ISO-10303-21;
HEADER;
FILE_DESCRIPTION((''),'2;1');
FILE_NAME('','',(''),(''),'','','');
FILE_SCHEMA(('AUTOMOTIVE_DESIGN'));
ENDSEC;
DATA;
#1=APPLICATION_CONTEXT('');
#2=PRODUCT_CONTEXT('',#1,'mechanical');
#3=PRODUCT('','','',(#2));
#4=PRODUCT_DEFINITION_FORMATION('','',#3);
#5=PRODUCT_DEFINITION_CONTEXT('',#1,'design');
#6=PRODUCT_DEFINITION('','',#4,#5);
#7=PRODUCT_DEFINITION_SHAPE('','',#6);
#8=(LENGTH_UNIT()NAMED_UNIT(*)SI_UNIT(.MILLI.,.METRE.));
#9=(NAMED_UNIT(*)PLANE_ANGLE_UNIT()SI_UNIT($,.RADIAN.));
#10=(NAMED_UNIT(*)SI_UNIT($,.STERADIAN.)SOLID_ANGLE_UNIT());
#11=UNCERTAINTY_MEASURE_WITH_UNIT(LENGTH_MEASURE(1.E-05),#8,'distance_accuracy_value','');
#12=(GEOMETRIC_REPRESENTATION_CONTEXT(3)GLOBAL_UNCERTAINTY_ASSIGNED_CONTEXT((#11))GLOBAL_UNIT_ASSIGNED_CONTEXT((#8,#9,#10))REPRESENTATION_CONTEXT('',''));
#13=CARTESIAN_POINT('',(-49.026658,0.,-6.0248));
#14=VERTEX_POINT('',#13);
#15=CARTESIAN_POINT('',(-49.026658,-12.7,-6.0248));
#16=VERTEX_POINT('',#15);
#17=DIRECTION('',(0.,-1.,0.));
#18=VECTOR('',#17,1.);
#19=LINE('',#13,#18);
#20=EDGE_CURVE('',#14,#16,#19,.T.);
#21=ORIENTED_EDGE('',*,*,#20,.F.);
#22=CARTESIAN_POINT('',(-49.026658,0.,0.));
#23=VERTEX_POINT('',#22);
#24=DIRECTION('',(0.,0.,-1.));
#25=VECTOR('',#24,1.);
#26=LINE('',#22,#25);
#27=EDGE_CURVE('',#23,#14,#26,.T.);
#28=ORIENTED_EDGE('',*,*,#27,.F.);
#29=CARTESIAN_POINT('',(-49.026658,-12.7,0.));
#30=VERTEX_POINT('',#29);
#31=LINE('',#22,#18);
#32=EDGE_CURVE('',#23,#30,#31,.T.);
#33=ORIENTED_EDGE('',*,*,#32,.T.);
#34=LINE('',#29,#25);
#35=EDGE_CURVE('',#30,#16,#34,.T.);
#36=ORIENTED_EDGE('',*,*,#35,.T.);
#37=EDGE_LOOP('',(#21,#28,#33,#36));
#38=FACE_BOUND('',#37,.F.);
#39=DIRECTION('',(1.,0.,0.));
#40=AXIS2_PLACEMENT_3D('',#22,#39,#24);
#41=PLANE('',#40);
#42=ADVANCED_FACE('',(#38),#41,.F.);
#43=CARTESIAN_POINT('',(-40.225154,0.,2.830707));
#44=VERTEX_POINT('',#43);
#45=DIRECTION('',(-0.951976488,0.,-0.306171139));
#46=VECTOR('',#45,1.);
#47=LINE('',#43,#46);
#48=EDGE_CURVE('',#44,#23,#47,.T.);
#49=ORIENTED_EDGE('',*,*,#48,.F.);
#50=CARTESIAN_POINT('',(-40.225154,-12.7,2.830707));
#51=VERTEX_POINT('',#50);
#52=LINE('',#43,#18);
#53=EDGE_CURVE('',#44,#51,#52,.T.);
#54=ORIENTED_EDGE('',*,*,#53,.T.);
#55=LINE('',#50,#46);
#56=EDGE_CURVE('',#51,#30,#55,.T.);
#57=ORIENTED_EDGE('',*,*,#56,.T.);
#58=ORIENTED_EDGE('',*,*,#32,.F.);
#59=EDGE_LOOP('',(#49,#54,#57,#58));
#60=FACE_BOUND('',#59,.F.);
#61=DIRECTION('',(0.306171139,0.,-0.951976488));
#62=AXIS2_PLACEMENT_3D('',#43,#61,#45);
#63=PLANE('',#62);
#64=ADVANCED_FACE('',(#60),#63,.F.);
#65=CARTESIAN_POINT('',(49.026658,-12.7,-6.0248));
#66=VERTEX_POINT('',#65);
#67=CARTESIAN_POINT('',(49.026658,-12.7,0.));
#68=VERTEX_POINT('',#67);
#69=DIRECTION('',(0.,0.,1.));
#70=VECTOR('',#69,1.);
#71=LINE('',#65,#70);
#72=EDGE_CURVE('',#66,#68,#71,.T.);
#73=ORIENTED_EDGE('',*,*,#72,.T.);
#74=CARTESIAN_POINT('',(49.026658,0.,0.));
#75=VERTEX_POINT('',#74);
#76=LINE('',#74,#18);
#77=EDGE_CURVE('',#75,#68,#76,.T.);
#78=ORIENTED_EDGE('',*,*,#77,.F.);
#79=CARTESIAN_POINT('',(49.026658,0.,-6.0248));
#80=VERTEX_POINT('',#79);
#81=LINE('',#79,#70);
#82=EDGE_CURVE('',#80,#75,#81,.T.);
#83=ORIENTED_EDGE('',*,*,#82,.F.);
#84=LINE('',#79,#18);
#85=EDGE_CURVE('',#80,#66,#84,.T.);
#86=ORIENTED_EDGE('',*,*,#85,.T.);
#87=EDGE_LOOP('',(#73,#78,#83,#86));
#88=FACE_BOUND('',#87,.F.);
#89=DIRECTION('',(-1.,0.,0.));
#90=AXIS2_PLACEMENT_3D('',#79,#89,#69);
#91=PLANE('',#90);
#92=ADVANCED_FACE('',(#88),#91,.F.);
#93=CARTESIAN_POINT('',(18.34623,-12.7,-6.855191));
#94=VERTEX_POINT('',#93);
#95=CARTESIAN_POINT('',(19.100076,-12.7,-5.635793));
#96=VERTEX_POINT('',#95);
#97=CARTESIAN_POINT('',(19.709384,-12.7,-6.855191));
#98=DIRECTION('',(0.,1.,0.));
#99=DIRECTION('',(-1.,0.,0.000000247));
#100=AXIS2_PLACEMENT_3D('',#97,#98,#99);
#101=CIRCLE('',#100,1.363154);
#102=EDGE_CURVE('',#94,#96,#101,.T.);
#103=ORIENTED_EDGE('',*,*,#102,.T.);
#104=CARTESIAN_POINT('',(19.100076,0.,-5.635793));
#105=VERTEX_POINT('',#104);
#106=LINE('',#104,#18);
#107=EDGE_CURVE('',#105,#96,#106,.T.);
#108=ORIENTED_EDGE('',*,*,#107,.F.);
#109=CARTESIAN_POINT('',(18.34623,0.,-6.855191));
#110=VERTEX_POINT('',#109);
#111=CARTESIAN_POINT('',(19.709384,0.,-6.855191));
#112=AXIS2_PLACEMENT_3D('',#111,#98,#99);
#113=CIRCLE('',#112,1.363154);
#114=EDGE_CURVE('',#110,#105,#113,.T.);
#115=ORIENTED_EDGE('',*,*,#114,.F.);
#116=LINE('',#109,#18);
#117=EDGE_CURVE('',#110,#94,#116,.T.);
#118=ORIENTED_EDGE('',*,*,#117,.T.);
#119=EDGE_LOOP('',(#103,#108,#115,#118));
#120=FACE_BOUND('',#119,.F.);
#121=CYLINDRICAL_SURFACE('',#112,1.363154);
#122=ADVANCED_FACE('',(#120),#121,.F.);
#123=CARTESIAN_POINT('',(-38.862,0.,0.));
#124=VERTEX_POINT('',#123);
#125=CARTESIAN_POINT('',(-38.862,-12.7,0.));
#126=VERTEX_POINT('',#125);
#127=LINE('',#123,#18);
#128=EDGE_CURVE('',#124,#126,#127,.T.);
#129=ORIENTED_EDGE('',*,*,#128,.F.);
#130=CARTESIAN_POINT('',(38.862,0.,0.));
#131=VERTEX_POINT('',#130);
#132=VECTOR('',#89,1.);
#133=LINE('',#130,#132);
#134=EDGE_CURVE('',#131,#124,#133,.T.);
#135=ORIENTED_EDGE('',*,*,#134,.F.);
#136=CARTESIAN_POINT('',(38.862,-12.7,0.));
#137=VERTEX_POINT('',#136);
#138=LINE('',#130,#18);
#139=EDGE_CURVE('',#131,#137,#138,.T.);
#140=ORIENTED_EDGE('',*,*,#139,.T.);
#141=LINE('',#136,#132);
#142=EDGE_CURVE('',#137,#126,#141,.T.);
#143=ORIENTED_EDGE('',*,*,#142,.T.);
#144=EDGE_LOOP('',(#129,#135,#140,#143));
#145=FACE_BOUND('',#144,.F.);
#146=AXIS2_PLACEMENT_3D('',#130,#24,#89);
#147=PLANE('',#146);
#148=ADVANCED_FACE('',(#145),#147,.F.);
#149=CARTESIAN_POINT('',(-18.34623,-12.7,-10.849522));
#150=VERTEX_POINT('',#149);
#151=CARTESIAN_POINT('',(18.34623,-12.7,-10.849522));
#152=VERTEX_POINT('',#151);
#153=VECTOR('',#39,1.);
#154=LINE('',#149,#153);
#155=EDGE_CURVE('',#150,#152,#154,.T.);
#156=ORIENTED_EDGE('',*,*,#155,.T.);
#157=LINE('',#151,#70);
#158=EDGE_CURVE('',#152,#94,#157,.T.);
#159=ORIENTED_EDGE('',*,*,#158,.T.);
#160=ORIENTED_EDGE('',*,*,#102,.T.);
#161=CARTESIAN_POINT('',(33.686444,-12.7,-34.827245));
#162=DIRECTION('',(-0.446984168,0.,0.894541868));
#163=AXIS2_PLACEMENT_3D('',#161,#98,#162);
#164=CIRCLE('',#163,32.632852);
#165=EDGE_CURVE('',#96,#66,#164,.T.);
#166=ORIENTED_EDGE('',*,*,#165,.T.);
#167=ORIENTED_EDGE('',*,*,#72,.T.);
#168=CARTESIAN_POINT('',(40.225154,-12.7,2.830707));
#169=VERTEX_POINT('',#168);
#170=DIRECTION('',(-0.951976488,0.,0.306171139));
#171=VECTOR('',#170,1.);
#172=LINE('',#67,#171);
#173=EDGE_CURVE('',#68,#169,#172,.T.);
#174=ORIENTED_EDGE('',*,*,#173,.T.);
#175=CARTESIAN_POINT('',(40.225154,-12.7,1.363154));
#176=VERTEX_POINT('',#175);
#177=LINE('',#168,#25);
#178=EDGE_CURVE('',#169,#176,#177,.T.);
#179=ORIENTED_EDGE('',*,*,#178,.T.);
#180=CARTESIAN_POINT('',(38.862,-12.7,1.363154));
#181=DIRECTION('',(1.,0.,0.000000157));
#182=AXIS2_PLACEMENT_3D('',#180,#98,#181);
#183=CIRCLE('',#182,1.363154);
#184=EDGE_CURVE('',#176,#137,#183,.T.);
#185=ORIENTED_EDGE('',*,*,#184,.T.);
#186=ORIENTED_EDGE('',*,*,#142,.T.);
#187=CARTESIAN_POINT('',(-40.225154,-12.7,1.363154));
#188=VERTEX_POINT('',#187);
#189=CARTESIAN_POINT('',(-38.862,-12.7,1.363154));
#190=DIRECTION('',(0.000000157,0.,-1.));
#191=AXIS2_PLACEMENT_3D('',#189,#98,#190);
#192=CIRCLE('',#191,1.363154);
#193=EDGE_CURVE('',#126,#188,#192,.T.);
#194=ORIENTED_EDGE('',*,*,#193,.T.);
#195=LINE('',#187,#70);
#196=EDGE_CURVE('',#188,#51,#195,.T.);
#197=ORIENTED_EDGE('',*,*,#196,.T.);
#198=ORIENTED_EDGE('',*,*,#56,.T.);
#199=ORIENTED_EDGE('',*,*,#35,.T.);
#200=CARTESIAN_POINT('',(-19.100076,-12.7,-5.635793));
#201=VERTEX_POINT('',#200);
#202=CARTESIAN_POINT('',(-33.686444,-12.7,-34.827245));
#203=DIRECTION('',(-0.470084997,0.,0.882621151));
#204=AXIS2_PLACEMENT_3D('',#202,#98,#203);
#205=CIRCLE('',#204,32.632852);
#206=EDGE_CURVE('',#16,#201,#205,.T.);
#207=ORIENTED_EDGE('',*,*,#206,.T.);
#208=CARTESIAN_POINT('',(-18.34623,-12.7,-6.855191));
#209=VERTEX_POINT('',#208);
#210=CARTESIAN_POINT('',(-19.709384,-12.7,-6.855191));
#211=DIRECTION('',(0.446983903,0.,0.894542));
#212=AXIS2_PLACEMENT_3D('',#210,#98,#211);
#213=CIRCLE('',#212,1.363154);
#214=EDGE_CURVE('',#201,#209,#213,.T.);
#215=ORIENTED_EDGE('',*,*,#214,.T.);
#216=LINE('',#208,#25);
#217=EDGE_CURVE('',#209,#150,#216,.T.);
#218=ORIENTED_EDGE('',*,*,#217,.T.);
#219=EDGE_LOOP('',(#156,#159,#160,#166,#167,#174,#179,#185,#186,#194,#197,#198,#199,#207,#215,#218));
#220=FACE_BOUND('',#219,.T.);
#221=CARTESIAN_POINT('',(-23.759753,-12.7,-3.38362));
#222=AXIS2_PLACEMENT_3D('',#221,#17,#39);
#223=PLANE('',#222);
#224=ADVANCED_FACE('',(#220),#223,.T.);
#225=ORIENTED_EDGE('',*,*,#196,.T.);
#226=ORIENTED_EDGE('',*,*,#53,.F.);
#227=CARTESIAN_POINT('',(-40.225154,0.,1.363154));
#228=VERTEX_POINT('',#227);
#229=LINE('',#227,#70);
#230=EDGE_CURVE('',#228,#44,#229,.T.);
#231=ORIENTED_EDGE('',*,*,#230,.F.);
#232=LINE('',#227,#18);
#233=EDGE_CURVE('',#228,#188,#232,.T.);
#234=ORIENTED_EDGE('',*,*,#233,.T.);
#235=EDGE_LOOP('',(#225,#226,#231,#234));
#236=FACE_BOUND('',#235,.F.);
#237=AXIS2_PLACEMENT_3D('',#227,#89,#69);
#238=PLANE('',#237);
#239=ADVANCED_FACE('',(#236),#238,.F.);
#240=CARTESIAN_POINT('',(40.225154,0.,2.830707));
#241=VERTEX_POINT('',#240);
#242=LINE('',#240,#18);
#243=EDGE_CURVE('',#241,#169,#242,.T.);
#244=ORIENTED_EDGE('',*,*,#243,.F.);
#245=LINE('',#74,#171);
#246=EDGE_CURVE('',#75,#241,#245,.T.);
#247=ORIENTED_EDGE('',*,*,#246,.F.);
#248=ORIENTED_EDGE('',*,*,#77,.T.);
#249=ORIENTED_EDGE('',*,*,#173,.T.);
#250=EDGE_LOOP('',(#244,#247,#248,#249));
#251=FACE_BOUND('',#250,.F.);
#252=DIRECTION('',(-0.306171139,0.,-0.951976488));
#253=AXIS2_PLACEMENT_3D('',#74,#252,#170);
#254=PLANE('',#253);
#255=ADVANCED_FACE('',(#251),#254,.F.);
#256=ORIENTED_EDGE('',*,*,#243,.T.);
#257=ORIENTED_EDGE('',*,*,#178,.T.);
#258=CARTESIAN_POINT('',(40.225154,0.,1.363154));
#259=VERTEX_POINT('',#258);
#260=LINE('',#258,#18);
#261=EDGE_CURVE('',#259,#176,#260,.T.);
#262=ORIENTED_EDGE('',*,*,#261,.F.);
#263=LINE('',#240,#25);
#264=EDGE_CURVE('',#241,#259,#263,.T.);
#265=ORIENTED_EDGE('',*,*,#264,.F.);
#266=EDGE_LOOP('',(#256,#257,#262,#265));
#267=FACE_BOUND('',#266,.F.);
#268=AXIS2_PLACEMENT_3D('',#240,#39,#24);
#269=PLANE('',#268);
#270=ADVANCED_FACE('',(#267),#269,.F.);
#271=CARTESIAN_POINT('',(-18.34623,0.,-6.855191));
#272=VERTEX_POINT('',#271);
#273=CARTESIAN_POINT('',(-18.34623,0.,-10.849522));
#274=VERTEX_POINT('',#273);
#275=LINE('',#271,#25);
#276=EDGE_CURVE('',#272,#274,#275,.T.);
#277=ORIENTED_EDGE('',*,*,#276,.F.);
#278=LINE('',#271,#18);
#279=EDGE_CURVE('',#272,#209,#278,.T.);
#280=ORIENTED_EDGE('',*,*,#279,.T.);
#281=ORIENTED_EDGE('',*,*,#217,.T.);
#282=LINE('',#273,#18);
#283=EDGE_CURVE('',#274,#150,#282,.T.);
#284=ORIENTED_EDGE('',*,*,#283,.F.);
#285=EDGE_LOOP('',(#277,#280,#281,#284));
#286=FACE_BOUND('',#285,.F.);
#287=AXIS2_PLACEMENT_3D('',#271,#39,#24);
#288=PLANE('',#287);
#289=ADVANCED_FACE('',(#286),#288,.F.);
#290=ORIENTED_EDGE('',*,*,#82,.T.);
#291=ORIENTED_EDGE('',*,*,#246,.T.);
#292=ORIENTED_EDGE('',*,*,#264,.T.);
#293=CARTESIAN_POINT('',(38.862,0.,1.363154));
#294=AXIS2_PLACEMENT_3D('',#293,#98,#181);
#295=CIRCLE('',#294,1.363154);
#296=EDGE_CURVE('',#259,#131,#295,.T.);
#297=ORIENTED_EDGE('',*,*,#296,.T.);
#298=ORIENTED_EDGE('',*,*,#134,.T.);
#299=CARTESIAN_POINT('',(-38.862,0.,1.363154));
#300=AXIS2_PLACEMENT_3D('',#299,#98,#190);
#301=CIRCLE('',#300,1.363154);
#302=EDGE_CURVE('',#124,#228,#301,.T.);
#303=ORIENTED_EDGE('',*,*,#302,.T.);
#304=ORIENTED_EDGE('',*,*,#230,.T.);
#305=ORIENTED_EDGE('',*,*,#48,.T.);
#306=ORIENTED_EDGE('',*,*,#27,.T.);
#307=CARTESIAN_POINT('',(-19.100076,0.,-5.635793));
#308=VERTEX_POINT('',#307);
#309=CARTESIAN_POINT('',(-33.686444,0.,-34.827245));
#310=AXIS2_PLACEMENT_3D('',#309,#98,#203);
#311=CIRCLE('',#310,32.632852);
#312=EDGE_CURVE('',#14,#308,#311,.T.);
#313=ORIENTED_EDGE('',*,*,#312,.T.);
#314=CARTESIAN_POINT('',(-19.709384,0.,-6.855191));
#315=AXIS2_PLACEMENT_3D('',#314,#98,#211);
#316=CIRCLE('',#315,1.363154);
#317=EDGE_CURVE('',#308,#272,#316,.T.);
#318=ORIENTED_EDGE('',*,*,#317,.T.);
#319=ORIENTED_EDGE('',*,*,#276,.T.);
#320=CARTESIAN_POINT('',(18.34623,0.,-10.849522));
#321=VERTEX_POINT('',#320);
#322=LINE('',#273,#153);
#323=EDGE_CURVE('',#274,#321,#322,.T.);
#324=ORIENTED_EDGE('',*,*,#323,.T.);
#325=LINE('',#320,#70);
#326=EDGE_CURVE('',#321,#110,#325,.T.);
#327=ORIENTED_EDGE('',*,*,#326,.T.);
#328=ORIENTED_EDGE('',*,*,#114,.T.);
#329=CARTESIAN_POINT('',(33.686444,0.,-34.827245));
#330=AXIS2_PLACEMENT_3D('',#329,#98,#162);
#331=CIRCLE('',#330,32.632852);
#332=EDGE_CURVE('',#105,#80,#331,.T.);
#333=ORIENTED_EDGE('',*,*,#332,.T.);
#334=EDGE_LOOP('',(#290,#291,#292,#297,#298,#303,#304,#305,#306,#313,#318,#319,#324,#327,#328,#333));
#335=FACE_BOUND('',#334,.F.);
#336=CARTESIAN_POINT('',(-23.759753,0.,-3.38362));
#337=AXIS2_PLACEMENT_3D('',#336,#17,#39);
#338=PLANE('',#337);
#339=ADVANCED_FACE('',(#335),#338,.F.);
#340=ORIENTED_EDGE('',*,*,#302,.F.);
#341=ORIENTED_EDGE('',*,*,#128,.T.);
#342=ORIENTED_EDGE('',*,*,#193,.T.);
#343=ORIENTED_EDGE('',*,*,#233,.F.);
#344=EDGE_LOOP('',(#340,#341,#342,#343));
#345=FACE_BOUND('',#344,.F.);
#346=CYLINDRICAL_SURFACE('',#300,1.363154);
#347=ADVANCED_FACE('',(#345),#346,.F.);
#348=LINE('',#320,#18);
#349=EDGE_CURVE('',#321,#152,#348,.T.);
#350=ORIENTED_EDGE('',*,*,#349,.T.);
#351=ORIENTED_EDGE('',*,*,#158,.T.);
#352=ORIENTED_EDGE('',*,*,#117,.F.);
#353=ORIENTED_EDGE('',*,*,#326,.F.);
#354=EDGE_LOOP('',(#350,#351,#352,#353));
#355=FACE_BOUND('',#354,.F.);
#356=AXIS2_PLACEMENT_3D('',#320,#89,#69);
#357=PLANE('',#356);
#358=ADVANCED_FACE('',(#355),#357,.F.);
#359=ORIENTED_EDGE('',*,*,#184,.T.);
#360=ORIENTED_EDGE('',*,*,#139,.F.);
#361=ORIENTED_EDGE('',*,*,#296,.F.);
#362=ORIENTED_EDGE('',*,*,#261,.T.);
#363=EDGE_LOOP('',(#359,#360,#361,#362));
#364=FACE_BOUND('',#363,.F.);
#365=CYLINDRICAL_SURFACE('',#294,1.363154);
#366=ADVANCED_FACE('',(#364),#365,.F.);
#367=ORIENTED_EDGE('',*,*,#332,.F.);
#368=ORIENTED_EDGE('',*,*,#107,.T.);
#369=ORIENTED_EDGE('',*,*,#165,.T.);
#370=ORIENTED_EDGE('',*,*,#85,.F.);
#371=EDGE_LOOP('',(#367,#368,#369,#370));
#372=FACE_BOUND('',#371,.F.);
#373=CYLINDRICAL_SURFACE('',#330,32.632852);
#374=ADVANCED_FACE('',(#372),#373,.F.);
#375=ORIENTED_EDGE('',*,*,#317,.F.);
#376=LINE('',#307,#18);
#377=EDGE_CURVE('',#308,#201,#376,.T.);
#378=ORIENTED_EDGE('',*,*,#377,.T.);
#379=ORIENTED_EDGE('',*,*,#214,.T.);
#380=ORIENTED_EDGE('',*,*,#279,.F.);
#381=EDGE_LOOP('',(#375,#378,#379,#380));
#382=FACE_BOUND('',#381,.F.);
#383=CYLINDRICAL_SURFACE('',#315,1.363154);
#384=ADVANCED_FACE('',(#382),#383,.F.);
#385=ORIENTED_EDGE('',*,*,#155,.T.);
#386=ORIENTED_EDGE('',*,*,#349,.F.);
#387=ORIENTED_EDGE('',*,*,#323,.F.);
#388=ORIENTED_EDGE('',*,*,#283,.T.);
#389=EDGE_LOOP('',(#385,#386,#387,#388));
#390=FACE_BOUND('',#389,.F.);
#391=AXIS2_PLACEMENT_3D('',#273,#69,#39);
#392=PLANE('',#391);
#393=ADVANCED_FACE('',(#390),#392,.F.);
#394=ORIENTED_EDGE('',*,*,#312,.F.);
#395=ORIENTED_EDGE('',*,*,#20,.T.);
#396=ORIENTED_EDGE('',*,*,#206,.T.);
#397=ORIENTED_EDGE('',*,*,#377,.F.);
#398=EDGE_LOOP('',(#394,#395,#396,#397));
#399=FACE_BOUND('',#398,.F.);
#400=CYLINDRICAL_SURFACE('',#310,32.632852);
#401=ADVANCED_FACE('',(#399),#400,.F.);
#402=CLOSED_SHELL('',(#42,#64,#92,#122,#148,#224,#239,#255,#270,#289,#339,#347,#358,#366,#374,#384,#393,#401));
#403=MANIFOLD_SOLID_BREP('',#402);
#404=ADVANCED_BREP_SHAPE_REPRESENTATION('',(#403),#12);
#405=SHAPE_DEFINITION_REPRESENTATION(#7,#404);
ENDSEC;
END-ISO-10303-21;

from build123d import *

# Parameters (mm, degrees)
F1_DEPTH = 12.7


with BuildPart() as f1:
    # F0 (on Front) → F1 (new body)
    with BuildSketch(Plane.XZ):
        with BuildLine():
            Line((0, -10.849522), (0, 0))
            Line((0, 0), (-38.862, 0))
            ThreePointArc((-38.862, 0), (-39.825896, 0.399259), (-40.225154, 1.363154))
            Line((-40.225154, 1.363154), (-40.225154, 2.830707))
            Line((-40.225154, 2.830707), (-49.026658, 0))
            Line((-49.026658, 0), (-49.026658, -6.0248))
            ThreePointArc((-49.026658, -6.0248), (-34.110593, -2.19715), (-19.100076, -5.635793))
            ThreePointArc((-19.100076, -5.635793), (-18.549908, -6.13839), (-18.34623, -6.855191))
            Line((-18.34623, -6.855191), (-18.34623, -10.849522))
            Line((-18.34623, -10.849522), (0, -10.849522))
        make_face()
        with BuildLine():
            Line((38.862, 0), (0, 0))
            Line((0, 0), (0, -10.849522))
            Line((0, -10.849522), (18.34623, -10.849522))
            Line((18.34623, -10.849522), (18.34623, -6.855191))
            ThreePointArc((18.34623, -6.855191), (18.549908, -6.13839), (19.100076, -5.635793))
            ThreePointArc((19.100076, -5.635793), (34.110593, -2.19715), (49.026658, -6.0248))
            Line((49.026658, -6.0248), (49.026658, 0))
            Line((49.026658, 0), (40.225154, 2.830707))
            Line((40.225154, 2.830707), (40.225154, 1.363154))
            ThreePointArc((40.225154, 1.363154), (39.825896, 0.399259), (38.862, 0))
        make_face()
    extrude(amount=F1_DEPTH)


solid = f1.part
